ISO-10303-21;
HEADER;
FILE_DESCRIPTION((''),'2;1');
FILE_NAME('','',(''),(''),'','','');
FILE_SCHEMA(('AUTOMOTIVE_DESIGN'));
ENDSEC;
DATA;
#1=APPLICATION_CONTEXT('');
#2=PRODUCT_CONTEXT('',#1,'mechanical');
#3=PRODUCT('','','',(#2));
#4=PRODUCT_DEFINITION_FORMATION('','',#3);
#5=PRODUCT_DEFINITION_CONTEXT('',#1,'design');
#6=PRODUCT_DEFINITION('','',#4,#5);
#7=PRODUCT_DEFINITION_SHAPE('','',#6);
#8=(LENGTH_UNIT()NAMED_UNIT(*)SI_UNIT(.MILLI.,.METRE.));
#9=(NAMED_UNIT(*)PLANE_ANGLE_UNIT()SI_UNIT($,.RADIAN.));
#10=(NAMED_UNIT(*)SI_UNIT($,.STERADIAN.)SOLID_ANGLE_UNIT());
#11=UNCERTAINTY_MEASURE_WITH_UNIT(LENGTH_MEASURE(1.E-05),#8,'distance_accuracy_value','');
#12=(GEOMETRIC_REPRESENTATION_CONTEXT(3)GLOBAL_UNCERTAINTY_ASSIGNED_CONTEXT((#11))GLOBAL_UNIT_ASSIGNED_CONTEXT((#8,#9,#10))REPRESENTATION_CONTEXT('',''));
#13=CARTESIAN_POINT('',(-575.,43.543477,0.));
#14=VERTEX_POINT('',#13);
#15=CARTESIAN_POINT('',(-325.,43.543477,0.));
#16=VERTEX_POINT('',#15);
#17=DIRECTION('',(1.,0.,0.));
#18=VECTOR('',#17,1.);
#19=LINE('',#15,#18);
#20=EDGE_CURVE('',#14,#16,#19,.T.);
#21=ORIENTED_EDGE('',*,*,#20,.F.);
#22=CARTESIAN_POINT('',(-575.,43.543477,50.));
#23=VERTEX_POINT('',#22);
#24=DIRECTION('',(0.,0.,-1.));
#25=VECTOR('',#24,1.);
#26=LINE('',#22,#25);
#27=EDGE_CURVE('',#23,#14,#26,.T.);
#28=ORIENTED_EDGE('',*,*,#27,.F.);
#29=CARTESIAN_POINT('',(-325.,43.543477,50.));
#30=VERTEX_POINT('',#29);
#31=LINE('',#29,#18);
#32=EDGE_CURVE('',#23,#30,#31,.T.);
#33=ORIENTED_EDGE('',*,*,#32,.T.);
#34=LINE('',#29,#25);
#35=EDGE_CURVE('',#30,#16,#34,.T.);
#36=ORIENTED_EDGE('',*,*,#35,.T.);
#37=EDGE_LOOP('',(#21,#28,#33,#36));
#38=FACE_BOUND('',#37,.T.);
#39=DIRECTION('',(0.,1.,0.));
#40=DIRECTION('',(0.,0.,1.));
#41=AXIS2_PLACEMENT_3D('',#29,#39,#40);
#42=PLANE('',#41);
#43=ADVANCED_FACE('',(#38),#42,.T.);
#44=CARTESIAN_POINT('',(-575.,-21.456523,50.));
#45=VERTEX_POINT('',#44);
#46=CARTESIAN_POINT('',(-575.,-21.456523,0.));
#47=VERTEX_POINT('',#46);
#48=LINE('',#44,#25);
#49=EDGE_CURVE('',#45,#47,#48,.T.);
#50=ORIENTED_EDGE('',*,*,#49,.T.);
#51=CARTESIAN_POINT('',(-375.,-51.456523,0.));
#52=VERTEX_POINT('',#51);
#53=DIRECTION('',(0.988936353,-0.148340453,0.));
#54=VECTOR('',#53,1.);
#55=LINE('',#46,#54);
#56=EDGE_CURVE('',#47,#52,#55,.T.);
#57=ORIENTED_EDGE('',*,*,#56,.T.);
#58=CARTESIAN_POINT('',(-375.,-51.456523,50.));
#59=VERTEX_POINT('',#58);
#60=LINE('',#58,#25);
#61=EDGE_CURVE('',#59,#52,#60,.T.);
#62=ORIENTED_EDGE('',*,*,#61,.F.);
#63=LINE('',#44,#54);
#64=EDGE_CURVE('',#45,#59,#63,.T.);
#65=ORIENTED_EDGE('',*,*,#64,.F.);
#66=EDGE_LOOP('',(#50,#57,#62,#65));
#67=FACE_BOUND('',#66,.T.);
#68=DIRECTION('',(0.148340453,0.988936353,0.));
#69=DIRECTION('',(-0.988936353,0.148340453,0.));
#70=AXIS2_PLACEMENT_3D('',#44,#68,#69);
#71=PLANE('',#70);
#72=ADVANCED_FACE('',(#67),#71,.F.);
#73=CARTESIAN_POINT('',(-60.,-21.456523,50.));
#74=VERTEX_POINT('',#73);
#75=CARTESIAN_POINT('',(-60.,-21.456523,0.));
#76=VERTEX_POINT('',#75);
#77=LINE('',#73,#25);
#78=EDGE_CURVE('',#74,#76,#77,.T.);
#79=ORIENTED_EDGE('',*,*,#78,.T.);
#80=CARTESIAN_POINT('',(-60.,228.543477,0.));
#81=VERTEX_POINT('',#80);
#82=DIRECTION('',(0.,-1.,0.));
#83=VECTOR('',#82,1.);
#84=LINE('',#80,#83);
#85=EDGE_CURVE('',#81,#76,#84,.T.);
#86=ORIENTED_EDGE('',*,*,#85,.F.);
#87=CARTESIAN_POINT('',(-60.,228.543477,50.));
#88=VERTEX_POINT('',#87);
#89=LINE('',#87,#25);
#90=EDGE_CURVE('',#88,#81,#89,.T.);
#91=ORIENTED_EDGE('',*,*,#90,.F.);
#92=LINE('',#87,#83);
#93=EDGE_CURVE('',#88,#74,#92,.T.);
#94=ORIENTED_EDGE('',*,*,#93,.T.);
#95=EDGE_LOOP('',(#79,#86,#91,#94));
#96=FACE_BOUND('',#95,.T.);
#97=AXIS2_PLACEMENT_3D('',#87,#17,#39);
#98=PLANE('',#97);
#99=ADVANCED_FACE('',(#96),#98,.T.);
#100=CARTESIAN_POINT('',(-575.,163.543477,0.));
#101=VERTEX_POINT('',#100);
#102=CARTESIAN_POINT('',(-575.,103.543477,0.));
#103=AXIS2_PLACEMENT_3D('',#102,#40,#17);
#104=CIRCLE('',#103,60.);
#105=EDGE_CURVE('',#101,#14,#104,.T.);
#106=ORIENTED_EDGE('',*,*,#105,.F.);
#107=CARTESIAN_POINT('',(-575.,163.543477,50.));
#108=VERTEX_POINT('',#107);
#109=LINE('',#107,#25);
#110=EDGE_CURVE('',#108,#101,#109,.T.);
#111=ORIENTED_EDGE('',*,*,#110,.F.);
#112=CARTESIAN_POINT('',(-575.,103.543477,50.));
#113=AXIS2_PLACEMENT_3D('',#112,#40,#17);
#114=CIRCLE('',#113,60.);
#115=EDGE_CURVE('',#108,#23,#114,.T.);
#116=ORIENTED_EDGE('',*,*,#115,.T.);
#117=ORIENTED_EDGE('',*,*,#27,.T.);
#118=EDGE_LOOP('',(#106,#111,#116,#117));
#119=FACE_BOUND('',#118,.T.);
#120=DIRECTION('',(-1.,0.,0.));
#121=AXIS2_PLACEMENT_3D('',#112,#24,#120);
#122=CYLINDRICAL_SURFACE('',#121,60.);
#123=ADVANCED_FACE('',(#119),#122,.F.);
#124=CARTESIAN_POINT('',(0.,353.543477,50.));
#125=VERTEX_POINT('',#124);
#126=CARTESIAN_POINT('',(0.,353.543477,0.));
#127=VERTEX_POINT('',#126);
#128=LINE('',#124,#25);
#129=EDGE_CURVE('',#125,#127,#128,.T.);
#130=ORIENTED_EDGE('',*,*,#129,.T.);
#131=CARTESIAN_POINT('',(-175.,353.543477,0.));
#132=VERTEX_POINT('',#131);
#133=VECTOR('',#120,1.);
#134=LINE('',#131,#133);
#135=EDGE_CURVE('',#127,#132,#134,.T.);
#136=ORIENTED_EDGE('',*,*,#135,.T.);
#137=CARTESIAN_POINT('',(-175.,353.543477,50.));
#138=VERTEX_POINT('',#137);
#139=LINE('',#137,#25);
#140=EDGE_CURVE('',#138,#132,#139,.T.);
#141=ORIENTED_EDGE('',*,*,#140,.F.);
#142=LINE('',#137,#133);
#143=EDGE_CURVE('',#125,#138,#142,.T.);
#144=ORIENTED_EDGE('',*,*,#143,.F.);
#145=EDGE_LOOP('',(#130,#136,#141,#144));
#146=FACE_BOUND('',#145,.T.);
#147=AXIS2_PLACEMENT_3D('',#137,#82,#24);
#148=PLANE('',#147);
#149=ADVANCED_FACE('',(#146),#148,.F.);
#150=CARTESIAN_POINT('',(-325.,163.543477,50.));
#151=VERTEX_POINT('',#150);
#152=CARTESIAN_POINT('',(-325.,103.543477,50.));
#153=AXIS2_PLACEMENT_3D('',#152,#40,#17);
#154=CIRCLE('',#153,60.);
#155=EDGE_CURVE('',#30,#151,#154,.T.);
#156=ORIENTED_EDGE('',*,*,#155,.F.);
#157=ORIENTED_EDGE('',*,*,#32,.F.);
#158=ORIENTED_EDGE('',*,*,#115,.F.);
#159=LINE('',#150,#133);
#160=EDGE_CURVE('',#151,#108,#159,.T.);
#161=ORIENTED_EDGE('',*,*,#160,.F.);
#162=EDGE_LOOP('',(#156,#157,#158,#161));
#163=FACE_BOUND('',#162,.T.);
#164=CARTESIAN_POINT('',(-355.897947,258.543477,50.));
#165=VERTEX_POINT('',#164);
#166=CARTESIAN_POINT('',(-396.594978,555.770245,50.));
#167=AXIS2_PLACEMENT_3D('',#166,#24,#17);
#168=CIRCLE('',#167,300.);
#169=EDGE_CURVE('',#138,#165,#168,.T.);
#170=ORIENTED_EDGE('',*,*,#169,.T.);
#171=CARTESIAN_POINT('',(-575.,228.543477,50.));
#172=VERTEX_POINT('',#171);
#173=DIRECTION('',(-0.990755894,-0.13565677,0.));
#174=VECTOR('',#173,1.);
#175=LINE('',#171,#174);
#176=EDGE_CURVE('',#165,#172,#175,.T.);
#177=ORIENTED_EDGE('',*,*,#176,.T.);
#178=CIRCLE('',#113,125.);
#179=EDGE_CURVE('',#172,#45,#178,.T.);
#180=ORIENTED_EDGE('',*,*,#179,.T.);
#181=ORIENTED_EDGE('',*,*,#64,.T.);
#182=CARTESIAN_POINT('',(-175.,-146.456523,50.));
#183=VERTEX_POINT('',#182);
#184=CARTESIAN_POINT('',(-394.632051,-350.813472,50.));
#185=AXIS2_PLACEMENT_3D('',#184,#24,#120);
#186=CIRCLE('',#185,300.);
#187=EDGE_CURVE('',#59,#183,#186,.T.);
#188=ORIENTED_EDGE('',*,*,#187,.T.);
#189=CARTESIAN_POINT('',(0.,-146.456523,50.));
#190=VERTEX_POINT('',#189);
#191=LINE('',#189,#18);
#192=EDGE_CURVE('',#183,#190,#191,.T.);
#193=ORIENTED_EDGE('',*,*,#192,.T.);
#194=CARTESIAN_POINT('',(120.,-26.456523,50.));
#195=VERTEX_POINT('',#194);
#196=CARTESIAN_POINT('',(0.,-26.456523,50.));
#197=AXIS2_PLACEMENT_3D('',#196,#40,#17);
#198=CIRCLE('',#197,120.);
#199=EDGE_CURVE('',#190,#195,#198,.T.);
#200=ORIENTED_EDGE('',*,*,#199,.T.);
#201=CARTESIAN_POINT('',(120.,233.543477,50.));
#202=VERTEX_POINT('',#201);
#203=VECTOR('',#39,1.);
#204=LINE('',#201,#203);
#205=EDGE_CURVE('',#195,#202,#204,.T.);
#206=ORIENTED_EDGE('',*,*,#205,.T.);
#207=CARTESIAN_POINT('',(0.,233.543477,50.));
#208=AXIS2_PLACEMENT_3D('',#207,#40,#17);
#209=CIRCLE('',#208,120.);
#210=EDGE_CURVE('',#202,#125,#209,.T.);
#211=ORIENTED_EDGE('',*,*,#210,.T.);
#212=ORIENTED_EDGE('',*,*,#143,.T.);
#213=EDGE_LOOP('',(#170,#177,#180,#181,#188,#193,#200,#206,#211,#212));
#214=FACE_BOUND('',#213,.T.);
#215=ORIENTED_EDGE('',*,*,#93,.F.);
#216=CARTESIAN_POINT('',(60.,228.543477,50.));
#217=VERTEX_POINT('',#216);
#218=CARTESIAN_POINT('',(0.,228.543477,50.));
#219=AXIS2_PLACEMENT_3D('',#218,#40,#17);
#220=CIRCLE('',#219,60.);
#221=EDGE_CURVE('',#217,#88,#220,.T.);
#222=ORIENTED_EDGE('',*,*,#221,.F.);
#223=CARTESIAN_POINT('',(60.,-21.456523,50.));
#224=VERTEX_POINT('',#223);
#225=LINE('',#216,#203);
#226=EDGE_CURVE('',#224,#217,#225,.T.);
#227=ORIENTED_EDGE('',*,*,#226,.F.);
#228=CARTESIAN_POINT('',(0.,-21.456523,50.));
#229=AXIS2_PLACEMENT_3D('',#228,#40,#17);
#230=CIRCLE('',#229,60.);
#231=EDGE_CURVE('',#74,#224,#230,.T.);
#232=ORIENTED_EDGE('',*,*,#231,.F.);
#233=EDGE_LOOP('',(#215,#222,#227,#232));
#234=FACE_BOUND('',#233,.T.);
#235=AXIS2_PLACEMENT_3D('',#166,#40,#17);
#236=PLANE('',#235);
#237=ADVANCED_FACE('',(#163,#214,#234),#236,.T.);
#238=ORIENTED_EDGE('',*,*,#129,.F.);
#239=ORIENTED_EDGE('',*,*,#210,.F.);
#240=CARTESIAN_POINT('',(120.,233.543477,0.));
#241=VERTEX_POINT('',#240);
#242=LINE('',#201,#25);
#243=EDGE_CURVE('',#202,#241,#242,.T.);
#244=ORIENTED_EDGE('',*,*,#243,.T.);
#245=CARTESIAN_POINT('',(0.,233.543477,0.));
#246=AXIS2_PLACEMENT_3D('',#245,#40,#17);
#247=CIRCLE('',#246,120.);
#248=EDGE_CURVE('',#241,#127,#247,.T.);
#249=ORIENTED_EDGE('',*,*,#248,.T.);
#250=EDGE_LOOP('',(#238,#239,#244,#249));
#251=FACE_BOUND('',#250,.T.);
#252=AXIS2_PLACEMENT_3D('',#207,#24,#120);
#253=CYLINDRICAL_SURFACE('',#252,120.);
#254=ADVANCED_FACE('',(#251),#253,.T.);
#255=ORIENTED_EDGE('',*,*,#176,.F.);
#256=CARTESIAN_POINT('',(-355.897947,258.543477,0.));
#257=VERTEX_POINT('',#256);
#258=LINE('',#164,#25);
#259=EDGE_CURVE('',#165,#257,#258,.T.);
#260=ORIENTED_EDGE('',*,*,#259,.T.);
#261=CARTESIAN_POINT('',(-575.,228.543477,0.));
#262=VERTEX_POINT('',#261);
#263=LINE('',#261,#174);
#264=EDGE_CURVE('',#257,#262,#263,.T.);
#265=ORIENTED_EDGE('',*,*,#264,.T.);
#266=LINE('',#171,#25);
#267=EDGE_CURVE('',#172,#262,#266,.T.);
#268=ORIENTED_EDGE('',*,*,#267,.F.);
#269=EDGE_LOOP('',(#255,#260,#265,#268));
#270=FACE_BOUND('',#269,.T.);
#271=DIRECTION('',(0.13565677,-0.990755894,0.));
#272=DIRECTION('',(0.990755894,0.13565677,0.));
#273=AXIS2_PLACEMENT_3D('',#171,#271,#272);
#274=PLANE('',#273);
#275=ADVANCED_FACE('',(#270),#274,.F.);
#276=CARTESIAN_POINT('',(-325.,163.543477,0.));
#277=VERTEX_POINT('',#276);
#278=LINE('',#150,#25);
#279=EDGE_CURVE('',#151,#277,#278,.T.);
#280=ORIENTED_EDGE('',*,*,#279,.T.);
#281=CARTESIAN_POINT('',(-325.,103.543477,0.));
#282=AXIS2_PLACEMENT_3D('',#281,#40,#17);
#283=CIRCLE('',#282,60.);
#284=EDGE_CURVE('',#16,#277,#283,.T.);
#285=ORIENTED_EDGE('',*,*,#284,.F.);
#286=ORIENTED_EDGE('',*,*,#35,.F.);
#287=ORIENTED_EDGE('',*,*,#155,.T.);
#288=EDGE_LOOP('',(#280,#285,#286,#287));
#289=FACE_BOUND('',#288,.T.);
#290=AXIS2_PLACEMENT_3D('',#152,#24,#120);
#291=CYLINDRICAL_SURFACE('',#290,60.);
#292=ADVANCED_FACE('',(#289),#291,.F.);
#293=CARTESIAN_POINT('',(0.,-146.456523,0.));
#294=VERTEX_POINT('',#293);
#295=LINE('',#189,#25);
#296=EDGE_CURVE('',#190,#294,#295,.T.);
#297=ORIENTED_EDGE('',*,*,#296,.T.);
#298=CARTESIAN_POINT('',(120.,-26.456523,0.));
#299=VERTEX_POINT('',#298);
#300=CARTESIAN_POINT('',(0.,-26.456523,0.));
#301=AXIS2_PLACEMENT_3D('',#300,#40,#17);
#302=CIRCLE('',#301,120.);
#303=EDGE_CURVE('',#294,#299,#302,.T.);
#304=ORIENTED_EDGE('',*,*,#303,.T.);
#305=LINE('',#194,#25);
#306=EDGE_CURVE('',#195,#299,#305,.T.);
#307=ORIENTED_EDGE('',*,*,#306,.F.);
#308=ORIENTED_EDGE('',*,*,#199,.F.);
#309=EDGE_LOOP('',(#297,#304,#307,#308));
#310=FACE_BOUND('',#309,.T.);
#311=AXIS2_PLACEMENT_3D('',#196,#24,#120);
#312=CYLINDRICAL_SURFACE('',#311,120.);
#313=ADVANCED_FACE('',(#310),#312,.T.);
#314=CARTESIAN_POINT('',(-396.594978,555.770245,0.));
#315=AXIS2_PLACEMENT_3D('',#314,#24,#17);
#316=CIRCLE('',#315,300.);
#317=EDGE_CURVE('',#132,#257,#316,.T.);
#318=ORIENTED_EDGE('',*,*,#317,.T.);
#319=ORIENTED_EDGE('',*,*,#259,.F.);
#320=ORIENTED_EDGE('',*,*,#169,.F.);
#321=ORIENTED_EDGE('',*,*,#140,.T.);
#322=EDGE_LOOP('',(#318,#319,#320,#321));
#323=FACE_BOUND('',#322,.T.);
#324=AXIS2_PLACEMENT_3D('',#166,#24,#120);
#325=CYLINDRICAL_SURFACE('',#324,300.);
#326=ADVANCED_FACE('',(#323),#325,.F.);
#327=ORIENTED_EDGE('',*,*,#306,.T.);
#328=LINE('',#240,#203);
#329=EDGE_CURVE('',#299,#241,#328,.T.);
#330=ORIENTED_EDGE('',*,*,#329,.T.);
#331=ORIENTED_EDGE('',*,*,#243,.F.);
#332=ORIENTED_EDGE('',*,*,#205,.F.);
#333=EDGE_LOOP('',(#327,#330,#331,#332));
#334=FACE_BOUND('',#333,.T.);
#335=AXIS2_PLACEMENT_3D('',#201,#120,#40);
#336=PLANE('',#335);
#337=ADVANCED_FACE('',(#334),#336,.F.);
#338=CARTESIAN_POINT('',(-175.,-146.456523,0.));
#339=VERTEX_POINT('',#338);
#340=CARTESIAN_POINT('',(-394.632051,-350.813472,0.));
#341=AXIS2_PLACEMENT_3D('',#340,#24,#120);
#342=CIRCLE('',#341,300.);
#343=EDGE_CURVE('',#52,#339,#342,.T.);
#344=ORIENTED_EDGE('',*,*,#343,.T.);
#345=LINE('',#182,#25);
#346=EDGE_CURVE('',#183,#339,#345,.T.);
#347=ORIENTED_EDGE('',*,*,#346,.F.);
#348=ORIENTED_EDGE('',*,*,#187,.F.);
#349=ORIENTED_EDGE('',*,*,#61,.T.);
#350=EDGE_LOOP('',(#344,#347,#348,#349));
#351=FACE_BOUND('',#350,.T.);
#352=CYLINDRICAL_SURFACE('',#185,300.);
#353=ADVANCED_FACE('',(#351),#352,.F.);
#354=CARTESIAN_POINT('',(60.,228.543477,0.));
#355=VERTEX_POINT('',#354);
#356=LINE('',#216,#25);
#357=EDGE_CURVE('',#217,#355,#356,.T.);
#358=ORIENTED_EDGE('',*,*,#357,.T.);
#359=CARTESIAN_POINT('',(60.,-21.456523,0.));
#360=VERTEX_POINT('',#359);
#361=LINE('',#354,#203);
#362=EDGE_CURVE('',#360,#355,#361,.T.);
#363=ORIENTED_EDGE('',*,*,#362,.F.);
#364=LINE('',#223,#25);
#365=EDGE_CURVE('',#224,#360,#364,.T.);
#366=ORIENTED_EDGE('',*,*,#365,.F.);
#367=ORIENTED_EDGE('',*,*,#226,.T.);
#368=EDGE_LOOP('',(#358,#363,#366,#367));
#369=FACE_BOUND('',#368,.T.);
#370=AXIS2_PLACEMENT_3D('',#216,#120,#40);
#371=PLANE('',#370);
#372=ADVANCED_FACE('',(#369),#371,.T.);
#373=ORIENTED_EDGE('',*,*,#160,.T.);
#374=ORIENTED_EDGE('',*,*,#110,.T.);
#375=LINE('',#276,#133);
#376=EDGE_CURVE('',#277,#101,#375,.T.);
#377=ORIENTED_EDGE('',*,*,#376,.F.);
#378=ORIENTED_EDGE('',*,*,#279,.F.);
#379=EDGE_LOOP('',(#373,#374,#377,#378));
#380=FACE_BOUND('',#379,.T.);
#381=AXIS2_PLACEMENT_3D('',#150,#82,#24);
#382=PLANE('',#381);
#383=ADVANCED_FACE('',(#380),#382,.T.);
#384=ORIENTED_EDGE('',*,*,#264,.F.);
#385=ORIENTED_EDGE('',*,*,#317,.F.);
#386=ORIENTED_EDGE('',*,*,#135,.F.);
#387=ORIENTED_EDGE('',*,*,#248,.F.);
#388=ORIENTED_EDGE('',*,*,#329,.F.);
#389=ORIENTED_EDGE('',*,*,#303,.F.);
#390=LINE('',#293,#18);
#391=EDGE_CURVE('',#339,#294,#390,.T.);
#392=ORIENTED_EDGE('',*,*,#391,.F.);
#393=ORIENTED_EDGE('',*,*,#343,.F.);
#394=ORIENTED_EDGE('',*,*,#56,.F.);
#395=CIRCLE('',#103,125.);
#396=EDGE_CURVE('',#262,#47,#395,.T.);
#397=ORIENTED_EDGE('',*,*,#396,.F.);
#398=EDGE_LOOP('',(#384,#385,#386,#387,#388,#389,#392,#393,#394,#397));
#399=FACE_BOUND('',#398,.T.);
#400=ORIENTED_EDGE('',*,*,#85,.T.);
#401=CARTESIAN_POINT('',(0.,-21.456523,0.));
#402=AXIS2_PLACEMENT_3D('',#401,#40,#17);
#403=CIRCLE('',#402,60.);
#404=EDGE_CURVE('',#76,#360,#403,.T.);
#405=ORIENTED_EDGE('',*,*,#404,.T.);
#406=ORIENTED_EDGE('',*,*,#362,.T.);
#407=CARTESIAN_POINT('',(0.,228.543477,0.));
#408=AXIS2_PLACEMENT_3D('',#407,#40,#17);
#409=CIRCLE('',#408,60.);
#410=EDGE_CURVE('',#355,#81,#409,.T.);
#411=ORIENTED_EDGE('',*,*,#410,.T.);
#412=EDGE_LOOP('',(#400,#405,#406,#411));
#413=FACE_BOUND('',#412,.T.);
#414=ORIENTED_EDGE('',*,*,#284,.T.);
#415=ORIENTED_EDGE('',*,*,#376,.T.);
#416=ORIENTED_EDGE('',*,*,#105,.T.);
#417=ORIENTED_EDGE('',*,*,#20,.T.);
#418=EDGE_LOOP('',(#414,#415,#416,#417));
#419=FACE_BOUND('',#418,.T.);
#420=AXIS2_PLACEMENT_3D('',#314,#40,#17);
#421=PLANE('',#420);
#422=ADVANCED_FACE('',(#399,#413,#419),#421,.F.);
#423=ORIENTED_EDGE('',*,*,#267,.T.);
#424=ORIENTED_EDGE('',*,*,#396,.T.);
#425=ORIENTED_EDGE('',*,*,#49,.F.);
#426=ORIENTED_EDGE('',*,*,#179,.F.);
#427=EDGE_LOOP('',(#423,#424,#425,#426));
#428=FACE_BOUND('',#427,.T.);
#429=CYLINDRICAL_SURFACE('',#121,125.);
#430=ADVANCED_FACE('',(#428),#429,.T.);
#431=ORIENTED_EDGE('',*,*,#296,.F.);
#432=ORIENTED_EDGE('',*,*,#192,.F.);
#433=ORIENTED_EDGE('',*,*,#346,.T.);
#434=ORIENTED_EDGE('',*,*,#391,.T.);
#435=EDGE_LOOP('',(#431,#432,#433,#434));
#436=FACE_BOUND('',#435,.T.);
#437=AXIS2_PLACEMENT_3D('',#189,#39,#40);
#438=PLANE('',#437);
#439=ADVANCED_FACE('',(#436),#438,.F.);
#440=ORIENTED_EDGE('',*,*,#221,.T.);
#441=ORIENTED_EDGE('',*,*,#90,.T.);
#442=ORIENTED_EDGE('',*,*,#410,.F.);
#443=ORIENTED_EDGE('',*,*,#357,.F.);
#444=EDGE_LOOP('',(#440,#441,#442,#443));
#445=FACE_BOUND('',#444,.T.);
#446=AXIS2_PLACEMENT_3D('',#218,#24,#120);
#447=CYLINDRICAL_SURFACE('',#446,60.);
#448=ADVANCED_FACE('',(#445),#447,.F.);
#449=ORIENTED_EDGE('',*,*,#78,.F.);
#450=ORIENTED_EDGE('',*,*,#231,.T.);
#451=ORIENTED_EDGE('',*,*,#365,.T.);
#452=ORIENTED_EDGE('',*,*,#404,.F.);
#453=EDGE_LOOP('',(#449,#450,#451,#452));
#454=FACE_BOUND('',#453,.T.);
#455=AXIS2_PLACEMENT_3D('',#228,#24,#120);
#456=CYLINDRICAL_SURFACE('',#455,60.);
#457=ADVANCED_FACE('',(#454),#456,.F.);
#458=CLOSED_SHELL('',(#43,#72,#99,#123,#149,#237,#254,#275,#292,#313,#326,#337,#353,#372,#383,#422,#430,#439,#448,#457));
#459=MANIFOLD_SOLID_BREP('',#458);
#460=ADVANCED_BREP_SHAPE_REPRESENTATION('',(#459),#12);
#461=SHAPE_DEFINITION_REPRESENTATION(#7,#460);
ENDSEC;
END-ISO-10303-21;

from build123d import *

# Parameters (mm, degrees)
BOSS_EXTRUDE1_DEPTH = 50


with BuildPart() as part:
    # Sketch1 → Boss-Extrude1 (new body)
    with BuildSketch(Plane.XY):
        with BuildLine():
            Line((-175, 353.543476539), (0, 353.543476539))
            ThreePointArc((0, 353.543476539), (84.852813742, 318.396290281), (120, 233.543476539))
            Line((120, 233.543476539), (120, -26.456523461))
            ThreePointArc((120, -26.456523461), (84.852813742, -111.309337204), (0, -146.456523461))
            Line((0, -146.456523461), (-175, -146.456523461))
            ThreePointArc((-175, -146.456523461), (-265.915006149, -79.830220617), (-375, -51.456523461))
            Line((-375, -51.456523461), (-575, -21.456523461))
            ThreePointArc((-575, -21.456523461), (-700, 103.543476539), (-575, 228.543476539))
            Line((-575, 228.543476539), (-355.89794699, 258.543476539))
            ThreePointArc((-355.89794699, 258.543476539), (-257.111916312, 290.168144661), (-175, 353.543476539))
        make_face()
        with BuildLine():
            Line((60, 228.543476539), (60, -21.456523461))
            ThreePointArc((60, -21.456523461), (0, -81.456523461), (-60, -21.456523461))
            Line((-60, -21.456523461), (-60, 228.543476539))
            ThreePointArc((-60, 228.543476539), (0, 288.543476539), (60, 228.543476539))
        make_face(mode=Mode.SUBTRACT)
        with BuildLine():
            Line((-325, 43.543476539), (-575, 43.543476539))
            ThreePointArc((-575, 43.543476539), (-635, 103.543476539), (-575, 163.543476539))
            Line((-575, 163.543476539), (-325, 163.543476539))
            ThreePointArc((-325, 163.543476539), (-265, 103.543476539), (-325, 43.543476539))
        make_face(mode=Mode.SUBTRACT)
    extrude(amount=BOSS_EXTRUDE1_DEPTH)


solid = part.part
